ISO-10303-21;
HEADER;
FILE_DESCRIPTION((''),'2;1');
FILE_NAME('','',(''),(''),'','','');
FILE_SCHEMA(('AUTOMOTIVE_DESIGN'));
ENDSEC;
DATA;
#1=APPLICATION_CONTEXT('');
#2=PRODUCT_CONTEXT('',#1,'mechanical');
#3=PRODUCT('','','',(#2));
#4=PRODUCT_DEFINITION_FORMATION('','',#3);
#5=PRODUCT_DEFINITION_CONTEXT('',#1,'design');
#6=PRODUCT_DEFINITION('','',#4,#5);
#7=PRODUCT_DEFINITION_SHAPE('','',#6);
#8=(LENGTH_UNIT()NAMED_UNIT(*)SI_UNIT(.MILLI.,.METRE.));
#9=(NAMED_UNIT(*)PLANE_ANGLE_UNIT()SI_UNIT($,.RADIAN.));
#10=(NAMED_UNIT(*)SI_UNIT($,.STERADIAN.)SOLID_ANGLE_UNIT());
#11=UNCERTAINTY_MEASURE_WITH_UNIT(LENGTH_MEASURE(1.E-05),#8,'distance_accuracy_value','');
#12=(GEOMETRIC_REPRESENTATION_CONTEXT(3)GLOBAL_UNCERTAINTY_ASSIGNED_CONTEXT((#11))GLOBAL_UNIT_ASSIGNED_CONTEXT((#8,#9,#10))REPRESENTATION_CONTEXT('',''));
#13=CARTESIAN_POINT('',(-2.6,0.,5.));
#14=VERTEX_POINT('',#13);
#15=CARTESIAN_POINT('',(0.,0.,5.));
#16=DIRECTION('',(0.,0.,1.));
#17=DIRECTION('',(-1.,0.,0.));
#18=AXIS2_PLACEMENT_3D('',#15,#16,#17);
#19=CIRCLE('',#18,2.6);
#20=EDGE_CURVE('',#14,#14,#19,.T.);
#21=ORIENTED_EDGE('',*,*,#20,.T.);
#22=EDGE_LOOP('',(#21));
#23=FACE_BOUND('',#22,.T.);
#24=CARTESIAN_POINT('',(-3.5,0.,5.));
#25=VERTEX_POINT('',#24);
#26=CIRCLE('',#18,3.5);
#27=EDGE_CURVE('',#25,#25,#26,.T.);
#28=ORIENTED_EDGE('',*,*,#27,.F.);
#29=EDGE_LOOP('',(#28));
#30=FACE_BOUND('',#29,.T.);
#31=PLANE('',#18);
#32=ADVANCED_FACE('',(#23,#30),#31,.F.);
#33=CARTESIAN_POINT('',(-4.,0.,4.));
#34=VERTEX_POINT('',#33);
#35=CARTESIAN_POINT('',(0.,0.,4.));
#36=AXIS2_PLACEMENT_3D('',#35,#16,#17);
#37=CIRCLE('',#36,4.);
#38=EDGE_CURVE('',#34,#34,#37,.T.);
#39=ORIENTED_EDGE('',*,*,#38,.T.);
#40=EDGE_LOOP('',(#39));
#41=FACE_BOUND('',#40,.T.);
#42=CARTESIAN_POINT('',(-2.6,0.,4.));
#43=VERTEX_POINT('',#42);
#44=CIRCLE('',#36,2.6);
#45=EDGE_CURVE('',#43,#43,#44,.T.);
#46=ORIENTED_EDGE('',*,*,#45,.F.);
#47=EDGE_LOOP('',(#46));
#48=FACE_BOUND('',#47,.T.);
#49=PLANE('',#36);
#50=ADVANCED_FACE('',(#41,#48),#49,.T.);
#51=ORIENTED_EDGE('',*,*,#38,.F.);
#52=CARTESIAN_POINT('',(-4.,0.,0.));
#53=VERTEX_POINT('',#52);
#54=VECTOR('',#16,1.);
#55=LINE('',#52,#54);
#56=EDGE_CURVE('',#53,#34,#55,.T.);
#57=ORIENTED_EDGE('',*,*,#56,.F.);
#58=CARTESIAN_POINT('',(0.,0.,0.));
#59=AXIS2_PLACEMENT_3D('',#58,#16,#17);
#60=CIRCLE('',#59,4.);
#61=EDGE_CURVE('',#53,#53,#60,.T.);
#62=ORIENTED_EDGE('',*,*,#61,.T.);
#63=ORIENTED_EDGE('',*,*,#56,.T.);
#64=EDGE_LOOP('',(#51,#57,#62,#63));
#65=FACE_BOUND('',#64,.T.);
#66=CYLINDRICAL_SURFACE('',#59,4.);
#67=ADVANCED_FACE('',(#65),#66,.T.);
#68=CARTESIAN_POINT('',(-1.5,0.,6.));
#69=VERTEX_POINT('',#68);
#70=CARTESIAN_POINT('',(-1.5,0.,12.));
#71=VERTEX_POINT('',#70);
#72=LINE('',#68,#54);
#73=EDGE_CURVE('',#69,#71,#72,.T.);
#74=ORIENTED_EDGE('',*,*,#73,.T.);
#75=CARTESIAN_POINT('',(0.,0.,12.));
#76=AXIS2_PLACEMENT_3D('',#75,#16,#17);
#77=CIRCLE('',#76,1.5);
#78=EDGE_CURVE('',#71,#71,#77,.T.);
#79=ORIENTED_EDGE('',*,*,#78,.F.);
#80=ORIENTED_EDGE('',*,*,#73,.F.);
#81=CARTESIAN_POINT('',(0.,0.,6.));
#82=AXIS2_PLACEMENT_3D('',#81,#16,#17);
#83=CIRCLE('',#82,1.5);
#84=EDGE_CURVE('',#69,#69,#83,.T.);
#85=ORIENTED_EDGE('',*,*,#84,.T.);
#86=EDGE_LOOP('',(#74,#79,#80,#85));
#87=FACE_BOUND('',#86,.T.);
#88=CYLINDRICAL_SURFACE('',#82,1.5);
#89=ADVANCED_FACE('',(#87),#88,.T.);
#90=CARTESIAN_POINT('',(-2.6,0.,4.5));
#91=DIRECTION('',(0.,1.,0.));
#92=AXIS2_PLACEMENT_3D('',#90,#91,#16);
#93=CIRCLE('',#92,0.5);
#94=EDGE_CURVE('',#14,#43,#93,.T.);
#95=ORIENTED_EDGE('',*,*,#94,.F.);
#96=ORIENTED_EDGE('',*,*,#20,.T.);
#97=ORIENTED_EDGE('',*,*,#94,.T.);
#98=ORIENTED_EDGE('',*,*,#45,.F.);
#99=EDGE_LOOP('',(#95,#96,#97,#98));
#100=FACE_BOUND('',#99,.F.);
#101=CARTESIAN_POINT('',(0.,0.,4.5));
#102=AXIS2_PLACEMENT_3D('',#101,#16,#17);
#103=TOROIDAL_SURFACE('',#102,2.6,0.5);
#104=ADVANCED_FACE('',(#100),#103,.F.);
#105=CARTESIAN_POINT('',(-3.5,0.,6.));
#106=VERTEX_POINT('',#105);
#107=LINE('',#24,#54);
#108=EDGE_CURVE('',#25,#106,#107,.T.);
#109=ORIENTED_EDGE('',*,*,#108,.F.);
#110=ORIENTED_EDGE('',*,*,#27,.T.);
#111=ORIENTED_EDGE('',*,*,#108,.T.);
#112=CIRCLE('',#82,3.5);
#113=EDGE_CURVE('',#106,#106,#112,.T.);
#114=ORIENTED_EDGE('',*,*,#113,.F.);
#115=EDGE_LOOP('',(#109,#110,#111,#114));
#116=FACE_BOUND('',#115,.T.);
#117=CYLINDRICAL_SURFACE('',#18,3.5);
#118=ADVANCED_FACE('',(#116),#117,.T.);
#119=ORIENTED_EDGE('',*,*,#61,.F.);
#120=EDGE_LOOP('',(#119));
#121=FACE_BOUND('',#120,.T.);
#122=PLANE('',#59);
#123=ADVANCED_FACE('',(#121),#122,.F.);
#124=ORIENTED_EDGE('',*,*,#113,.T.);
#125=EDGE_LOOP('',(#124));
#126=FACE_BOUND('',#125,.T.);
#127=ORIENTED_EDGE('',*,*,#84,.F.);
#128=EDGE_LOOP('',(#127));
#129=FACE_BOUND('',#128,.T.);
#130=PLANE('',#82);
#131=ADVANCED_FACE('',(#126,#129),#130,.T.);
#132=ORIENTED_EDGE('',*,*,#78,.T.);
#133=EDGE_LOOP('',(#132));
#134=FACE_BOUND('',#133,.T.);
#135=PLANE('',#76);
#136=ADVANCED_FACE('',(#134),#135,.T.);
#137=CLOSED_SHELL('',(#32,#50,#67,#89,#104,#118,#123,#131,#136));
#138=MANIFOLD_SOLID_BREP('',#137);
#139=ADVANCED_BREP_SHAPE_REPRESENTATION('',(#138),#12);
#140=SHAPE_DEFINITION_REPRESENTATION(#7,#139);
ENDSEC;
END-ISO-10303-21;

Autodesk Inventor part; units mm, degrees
ref_plane "YZ Plane" through (0, 0, 0) normal (1, 0, 0) x (0, 1, 0)
ref_plane "XZ Plane" through (0, 0, 0) normal (0, 1, 0) x (-1, 0, 0)
ref_plane "XY Plane" through (0, 0, 0) normal (0, 0, 1) x (1, 0, 0)
sketch "スケッチ1" plane through (0, 0, 0) normal (0, 1, 0) x (-1, 0, 0)
  line L0 (0, 0) -> (0, 12)
  line L1 (0, 0) -> (4, 0)
  line L2 (4, 0) -> (4, 4)
  line L3 (4, 4) -> (2.6, 4)
  line L4 (2.6, 4) -> (2.6, 5) construction
  line L5 (2.6, 5) -> (3.5, 5)
  line L6 (3.5, 5) -> (3.5, 6)
  line L7 (3.5, 6) -> (1.5, 6)
  line L8 (1.5, 6) -> (1.5, 12)
  line L9 (1.5, 12) -> (0, 12)
  arc A0 (2.6, 5) -> (2.6, 4) centre (2.6, 4.5) ccw
  line L10 (2.6, 4.5) -> (2.1, 4.5) construction
  dimension "d4" = 1
  dimension "d5" = 6
  dimension "d7" = 4
  dimension "d8" = 6
  dimension "d11" = 2.1
  dimension "d12" = 3
  dimension "d13" = 8
  dimension "d14" = 7
revolve "回転1" add sketch "スケッチ1" angle 360 about axis through (0, 0, 0) along (0, 0, 1)
thread "ねじ1" size "M3x0.5" class "6g" standard "ANSI Metric M Profile" full length
properties part number "SPNFL-BRN-M3-6" material "ステンレス鋼 AISI 304"
